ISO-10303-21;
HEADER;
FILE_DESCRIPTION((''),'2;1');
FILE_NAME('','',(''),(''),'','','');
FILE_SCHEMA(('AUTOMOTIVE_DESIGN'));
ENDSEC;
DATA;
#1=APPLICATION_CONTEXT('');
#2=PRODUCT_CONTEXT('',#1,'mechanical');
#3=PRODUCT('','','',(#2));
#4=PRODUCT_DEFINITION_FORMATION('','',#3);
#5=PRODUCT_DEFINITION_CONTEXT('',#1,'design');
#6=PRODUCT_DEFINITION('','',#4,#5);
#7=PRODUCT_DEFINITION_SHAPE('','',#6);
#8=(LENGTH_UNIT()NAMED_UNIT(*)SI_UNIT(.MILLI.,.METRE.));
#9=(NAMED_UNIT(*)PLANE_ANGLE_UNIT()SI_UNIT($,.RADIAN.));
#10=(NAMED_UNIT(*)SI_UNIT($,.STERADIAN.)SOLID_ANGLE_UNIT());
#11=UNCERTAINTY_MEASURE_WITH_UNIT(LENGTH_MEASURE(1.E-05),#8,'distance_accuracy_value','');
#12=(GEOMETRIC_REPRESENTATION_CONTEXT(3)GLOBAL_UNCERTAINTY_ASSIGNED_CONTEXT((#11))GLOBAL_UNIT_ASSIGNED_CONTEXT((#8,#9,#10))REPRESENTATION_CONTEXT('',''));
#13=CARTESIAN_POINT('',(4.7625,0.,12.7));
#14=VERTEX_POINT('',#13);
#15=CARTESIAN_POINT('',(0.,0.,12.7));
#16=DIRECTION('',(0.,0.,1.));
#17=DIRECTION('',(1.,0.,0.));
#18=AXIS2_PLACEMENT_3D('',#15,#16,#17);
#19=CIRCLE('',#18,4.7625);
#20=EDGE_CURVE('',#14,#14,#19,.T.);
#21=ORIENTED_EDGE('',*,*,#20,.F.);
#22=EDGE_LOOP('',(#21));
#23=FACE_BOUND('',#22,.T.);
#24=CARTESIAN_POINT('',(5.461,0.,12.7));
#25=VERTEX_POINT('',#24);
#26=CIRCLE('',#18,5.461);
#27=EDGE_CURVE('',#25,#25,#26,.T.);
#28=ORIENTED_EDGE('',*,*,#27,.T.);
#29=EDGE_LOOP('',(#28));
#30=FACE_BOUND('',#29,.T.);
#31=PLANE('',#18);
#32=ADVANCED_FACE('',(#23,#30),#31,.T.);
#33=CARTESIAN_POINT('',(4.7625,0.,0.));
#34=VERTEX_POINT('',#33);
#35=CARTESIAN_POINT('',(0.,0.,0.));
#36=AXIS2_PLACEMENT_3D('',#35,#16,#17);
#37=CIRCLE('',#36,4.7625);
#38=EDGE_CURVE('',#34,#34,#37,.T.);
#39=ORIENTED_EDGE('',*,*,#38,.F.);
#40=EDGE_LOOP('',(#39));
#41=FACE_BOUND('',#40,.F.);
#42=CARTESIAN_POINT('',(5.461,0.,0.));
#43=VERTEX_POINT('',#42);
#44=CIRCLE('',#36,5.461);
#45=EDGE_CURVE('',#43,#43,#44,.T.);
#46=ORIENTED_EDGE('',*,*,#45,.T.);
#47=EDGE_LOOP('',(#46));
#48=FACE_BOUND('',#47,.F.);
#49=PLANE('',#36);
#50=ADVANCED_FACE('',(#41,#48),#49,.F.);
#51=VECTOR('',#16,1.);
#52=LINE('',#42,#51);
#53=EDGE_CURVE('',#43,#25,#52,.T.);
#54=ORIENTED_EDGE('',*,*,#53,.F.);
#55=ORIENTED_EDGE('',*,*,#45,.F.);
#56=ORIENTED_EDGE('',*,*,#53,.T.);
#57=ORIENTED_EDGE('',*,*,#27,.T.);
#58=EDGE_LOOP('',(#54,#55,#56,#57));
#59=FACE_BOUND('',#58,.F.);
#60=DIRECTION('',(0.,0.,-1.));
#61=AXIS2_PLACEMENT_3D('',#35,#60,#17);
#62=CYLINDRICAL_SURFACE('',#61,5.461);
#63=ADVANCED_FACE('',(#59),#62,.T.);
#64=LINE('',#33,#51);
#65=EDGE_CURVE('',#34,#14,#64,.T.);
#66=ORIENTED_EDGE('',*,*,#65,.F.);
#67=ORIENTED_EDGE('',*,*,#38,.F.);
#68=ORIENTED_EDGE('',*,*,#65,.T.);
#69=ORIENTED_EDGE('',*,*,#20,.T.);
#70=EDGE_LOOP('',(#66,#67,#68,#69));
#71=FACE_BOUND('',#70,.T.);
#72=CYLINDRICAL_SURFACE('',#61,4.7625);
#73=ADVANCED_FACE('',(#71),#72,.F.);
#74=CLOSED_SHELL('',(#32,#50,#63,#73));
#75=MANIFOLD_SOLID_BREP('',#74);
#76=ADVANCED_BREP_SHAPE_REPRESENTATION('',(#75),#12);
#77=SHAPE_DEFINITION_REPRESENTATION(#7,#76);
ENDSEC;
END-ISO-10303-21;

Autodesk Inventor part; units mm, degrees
ref_plane "YZ Plane" through (0, 0, 0) normal (1, 0, 0) x (0, 1, 0)
ref_plane "XZ Plane" through (0, 0, 0) normal (0, 1, 0) x (-1, 0, 0)
ref_plane "XY Plane" through (0, 0, 0) normal (0, 0, 1) x (1, 0, 0)
sketch "Sketch1" plane through (0, 0, 0) normal (0, 0, 1) x (1, 0, 0)
  circle A0 centre (0, 0) radius 6.35 construction
  circle A1 centre (0, 0) radius 5.461
  circle A2 centre (0, 0) radius 4.7625
  dimension "d0" = 12.7
  dimension "d10" = 9.525
  dimension "d13" = 10.922
extrude "Extrusion1" add sketch "Sketch1" along normal blind 12.7
thread "Thread1" size "3/8-16 UNC" class "2B" standard "ANSI Unified Screw Threads" full length
properties part number "Hopper Roller Plug"
